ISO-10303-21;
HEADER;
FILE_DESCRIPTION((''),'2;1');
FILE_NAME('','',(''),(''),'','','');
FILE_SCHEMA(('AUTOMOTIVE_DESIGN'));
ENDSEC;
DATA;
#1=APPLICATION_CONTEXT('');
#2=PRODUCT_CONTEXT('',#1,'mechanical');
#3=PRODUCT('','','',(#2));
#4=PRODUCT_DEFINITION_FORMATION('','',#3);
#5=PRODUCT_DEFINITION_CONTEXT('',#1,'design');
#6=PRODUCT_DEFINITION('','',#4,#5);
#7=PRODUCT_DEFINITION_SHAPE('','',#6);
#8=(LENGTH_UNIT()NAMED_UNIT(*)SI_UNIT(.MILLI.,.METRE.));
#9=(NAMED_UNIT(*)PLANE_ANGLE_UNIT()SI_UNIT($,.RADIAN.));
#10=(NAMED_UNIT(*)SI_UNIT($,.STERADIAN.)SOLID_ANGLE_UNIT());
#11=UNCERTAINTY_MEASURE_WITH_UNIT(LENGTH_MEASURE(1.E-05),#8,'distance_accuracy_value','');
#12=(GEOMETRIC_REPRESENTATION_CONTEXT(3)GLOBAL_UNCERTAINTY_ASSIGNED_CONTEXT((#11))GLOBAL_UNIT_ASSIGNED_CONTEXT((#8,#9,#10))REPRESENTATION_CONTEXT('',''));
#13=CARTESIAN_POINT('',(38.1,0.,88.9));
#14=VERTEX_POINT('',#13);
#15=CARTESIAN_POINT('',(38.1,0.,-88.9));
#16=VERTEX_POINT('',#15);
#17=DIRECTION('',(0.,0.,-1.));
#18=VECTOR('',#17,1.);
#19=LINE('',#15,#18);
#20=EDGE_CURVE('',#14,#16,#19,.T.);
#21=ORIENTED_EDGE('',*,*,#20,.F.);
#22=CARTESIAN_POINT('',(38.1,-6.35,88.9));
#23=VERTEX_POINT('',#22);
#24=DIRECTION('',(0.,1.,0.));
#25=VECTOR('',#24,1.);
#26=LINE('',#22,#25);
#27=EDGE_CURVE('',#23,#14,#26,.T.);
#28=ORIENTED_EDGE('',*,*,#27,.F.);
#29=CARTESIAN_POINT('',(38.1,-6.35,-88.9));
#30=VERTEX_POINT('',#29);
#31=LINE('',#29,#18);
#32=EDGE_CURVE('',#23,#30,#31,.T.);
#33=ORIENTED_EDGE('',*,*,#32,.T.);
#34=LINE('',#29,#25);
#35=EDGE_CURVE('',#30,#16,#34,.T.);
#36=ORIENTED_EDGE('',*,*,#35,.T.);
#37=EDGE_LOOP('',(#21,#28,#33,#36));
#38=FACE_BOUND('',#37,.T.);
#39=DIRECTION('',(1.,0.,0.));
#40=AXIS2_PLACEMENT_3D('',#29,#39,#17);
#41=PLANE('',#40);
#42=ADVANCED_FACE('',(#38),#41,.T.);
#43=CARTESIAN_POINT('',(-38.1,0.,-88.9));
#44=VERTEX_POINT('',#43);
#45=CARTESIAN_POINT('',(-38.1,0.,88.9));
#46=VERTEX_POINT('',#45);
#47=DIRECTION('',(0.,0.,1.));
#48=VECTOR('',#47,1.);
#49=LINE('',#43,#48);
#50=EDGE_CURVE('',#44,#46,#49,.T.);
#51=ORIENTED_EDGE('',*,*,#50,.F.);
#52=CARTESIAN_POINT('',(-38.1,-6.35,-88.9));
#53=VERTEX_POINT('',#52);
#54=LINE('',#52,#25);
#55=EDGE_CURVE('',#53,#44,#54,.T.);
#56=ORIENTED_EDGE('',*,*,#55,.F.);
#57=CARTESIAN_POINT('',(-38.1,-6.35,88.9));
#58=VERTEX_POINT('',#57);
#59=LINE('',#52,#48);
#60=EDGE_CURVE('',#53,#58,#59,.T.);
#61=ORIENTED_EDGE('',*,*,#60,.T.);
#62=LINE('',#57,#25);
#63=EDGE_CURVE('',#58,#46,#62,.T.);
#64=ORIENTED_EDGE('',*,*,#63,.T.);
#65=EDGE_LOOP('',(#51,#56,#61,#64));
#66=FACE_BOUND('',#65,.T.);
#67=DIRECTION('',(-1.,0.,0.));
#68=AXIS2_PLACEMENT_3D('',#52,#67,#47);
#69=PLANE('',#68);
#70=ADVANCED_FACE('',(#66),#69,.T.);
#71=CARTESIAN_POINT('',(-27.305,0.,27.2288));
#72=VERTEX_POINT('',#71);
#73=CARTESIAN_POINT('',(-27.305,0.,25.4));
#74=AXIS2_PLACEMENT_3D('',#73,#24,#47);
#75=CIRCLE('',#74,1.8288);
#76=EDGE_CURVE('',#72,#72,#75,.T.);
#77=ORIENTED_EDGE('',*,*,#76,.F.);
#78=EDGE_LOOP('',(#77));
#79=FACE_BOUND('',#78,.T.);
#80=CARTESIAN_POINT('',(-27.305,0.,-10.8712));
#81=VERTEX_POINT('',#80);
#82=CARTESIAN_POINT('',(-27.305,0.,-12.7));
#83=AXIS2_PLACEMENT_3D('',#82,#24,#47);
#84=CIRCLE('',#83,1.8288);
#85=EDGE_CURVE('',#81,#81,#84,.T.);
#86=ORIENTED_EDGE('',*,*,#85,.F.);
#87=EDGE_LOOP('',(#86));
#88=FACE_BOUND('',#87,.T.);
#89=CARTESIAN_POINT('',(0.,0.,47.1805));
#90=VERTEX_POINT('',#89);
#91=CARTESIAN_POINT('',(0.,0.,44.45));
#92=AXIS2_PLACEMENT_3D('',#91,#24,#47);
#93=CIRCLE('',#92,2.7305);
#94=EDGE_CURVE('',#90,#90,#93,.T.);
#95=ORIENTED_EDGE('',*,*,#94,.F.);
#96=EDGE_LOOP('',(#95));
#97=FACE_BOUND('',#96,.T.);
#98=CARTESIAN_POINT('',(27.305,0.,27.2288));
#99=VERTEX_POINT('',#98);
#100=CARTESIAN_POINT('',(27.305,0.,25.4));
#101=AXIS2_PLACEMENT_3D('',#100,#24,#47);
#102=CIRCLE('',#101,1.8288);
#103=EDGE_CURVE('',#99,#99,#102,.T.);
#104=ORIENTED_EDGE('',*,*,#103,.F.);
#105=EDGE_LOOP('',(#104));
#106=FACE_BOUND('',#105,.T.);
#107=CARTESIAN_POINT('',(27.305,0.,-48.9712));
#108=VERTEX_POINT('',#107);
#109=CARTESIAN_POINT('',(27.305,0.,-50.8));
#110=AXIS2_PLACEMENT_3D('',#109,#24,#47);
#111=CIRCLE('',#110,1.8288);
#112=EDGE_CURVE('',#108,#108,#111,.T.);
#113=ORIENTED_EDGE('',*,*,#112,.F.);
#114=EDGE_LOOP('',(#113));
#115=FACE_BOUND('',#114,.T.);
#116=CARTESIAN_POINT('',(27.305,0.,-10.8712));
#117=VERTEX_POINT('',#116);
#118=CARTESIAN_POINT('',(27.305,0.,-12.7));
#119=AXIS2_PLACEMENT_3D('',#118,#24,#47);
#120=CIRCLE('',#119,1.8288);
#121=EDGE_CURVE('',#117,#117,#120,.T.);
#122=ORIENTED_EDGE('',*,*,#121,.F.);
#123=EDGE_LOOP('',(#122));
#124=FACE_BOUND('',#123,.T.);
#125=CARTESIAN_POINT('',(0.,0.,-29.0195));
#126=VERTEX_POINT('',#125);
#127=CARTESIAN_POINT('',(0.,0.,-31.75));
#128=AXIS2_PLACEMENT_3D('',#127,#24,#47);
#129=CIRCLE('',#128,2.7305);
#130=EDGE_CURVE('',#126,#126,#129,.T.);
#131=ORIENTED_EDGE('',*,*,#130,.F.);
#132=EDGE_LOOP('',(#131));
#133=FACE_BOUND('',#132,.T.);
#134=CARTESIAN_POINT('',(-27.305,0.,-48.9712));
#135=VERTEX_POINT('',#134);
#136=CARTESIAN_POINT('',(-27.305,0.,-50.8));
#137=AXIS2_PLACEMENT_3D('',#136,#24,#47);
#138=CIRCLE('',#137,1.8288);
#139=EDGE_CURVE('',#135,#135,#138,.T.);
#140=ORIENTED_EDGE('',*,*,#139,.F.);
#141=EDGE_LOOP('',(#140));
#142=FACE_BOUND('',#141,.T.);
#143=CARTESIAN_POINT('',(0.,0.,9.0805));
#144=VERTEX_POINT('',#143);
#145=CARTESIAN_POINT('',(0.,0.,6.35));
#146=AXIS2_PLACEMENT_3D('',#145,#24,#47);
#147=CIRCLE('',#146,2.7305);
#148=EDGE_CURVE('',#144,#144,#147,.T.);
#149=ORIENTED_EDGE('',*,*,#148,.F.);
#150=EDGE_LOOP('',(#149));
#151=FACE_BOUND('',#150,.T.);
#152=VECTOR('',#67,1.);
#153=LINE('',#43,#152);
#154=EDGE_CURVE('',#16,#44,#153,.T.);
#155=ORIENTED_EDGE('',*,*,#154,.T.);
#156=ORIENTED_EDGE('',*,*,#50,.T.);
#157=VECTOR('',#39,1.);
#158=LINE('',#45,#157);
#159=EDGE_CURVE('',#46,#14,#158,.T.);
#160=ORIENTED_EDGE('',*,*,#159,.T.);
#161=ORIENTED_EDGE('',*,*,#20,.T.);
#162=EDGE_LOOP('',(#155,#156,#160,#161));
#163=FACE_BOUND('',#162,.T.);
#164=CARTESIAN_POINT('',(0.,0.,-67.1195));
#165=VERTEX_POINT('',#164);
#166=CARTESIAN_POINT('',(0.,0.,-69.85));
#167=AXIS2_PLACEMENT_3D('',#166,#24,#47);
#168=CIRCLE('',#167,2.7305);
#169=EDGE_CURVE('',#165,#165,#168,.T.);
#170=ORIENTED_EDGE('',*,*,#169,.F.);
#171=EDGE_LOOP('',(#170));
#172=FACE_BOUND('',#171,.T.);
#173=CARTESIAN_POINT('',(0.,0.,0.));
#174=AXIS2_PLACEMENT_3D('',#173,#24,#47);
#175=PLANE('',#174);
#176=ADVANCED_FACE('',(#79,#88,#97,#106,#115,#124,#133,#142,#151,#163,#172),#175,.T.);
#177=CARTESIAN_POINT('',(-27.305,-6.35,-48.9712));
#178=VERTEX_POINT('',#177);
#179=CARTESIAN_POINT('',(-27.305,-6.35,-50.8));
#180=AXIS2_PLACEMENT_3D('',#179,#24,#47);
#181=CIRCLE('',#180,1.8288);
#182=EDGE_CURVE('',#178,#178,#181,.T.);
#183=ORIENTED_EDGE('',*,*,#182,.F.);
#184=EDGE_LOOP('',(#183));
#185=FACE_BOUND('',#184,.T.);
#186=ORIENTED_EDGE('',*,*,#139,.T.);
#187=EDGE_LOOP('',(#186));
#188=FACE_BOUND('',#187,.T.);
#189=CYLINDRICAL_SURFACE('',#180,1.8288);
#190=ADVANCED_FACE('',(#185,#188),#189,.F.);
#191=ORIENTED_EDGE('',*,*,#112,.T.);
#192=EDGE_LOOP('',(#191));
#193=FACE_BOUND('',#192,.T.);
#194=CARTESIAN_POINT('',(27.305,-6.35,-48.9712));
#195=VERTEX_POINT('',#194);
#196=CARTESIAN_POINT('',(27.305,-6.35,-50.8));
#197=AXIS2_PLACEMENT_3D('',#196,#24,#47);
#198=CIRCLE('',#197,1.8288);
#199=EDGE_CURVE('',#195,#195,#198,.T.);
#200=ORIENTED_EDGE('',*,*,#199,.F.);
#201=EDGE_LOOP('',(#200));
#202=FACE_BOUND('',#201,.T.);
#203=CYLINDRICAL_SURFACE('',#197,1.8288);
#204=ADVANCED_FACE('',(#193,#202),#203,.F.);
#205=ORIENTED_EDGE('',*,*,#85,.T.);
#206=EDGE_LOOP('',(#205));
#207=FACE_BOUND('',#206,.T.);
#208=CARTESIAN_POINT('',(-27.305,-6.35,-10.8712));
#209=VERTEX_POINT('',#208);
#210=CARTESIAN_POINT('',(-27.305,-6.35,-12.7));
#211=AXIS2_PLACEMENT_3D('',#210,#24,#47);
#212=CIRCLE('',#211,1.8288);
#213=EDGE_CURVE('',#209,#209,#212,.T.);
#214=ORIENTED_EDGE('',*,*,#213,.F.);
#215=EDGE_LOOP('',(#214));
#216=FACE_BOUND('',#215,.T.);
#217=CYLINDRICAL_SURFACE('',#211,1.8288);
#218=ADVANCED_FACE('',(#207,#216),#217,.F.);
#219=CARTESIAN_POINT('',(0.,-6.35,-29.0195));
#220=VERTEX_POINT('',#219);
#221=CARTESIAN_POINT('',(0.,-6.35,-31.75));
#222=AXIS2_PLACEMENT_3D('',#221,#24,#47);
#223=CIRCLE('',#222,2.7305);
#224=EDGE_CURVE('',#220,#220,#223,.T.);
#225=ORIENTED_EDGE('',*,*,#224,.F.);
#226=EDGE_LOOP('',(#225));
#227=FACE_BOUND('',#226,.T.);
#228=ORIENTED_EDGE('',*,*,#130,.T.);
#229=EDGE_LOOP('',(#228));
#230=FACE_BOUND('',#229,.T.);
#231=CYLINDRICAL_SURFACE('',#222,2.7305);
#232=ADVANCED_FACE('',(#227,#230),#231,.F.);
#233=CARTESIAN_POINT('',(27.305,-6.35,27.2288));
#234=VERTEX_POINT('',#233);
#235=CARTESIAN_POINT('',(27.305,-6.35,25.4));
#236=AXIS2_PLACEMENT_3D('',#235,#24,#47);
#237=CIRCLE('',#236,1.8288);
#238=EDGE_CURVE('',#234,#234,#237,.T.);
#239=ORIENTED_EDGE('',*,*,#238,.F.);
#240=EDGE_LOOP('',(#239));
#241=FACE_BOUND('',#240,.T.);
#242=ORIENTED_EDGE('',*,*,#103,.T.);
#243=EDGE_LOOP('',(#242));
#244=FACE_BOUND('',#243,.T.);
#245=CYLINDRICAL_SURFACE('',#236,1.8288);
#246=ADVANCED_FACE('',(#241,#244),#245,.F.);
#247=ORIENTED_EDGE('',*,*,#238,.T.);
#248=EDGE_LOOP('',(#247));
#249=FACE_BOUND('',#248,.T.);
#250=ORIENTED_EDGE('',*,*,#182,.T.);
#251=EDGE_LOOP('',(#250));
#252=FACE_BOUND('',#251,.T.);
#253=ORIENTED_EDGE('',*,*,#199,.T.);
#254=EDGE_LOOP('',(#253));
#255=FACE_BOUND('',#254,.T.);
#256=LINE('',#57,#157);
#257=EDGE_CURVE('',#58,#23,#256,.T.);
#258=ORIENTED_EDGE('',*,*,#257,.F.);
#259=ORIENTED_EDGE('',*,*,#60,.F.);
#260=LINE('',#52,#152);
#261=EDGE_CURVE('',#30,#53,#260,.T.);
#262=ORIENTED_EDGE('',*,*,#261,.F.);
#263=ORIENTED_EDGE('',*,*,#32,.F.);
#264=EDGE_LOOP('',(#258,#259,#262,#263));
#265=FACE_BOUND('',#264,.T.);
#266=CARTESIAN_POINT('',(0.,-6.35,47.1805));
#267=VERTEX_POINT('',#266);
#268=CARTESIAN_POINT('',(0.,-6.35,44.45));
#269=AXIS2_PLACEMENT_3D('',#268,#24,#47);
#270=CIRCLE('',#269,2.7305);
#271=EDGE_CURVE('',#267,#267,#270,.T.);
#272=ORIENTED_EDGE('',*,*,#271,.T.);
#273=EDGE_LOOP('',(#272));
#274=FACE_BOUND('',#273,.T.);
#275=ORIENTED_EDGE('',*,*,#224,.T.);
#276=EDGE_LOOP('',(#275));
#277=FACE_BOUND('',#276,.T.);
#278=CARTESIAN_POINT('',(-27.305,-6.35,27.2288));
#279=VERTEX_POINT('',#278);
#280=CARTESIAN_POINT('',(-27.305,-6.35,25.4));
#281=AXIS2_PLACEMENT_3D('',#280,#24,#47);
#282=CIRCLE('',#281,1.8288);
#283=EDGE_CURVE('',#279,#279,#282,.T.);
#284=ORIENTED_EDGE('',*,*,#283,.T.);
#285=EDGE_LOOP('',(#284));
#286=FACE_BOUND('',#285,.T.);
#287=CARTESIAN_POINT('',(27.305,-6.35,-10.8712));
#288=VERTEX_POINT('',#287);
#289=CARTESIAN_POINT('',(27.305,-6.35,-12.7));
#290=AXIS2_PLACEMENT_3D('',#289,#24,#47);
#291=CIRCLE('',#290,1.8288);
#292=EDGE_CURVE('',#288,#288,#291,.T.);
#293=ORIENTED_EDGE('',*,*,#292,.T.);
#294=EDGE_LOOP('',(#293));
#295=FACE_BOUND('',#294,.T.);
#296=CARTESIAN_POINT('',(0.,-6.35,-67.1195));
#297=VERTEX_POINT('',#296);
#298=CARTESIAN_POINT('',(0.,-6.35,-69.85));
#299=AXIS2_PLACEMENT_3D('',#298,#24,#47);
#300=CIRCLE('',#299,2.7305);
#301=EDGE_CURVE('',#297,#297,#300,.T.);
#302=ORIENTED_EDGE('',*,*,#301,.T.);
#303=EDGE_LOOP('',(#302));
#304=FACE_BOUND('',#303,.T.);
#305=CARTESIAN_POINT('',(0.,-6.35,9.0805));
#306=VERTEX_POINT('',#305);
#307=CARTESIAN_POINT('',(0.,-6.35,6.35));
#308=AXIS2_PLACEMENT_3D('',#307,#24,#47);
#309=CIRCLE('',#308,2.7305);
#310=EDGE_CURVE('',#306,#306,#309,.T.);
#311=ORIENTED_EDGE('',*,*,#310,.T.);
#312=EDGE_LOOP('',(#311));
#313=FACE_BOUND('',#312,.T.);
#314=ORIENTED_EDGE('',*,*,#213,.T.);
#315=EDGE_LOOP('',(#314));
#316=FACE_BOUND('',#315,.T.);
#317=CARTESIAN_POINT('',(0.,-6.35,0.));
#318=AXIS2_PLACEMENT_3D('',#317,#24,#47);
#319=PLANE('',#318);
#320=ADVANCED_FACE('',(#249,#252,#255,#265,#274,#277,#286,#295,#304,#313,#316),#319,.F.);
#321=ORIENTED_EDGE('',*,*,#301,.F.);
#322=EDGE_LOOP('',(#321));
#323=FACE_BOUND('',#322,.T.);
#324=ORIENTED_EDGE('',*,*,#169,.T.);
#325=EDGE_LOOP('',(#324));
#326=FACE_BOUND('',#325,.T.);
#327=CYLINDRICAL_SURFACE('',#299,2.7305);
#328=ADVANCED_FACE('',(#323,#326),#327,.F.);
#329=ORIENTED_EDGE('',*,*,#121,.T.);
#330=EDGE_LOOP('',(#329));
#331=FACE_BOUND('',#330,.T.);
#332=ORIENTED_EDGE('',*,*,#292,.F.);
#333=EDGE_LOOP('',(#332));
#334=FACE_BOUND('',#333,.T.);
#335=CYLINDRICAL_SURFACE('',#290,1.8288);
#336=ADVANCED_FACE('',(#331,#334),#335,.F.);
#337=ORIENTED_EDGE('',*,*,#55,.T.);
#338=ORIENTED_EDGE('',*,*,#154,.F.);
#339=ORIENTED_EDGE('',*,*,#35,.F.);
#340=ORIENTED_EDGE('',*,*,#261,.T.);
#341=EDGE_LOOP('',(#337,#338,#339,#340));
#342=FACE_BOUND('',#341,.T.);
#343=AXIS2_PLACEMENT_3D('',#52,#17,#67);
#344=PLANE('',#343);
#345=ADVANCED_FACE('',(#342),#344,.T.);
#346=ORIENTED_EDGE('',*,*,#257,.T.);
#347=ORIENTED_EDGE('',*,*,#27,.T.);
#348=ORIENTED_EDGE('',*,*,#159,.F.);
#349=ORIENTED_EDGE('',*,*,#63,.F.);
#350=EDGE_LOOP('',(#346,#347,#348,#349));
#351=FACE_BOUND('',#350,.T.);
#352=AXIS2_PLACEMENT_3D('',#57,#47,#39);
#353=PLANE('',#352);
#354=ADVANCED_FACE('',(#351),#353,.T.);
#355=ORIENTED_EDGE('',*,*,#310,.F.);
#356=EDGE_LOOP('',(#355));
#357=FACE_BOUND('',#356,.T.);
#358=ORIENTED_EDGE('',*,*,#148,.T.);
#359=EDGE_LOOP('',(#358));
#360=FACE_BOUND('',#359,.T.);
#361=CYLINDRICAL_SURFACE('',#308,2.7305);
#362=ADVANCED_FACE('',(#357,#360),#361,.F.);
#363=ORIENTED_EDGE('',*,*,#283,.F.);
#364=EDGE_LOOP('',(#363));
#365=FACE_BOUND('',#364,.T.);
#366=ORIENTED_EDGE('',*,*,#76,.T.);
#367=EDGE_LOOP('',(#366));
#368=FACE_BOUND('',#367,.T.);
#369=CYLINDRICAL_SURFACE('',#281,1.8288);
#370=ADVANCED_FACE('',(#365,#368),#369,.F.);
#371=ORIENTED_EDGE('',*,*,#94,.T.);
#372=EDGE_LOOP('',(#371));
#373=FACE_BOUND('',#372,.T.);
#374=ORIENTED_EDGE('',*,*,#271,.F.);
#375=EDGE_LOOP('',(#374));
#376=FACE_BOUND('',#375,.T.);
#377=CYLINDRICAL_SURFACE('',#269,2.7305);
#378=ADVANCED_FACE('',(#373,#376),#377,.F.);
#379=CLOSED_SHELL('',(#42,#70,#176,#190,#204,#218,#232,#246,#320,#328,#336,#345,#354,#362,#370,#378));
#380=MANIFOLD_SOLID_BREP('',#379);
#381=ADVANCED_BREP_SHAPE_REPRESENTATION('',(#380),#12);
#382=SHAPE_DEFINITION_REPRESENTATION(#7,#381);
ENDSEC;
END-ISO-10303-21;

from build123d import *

# Parameters (mm, degrees)
SKETCH1_W           = 76.2
SKETCH1_H           = 177.8
SKETCH1_R           = 2.7305
SKETCH1_R_2         = 1.8288
BOSS_EXTRUDE1_DEPTH = 6.35


with BuildPart() as part:
    # Sketch1 → Boss-Extrude1 (new body)
    with BuildSketch(Plane(origin=(0, 0, 0), x_dir=(1, 0, 0), z_dir=(0, 1, 0))):
        Rectangle(SKETCH1_W, SKETCH1_H)
        with Locations((0, 69.85)):
            Circle(SKETCH1_R, mode=Mode.SUBTRACT)
        with Locations((0, 31.75)):
            Circle(SKETCH1_R, mode=Mode.SUBTRACT)
        with Locations((0, -6.35)):
            Circle(SKETCH1_R, mode=Mode.SUBTRACT)
        with Locations((0, -44.45)):
            Circle(SKETCH1_R, mode=Mode.SUBTRACT)
        with Locations((27.305, 50.8)):
            Circle(SKETCH1_R_2, mode=Mode.SUBTRACT)
        with Locations((27.305, 12.7)):
            Circle(SKETCH1_R_2, mode=Mode.SUBTRACT)
        with Locations((27.305, -25.4)):
            Circle(SKETCH1_R_2, mode=Mode.SUBTRACT)
        with Locations((-27.305, 12.7)):
            Circle(SKETCH1_R_2, mode=Mode.SUBTRACT)
        with Locations((-27.305, -25.4)):
            Circle(SKETCH1_R_2, mode=Mode.SUBTRACT)
        with Locations((-27.305, 50.8)):
            Circle(SKETCH1_R_2, mode=Mode.SUBTRACT)
    extrude(amount=-BOSS_EXTRUDE1_DEPTH)


solid = part.part
